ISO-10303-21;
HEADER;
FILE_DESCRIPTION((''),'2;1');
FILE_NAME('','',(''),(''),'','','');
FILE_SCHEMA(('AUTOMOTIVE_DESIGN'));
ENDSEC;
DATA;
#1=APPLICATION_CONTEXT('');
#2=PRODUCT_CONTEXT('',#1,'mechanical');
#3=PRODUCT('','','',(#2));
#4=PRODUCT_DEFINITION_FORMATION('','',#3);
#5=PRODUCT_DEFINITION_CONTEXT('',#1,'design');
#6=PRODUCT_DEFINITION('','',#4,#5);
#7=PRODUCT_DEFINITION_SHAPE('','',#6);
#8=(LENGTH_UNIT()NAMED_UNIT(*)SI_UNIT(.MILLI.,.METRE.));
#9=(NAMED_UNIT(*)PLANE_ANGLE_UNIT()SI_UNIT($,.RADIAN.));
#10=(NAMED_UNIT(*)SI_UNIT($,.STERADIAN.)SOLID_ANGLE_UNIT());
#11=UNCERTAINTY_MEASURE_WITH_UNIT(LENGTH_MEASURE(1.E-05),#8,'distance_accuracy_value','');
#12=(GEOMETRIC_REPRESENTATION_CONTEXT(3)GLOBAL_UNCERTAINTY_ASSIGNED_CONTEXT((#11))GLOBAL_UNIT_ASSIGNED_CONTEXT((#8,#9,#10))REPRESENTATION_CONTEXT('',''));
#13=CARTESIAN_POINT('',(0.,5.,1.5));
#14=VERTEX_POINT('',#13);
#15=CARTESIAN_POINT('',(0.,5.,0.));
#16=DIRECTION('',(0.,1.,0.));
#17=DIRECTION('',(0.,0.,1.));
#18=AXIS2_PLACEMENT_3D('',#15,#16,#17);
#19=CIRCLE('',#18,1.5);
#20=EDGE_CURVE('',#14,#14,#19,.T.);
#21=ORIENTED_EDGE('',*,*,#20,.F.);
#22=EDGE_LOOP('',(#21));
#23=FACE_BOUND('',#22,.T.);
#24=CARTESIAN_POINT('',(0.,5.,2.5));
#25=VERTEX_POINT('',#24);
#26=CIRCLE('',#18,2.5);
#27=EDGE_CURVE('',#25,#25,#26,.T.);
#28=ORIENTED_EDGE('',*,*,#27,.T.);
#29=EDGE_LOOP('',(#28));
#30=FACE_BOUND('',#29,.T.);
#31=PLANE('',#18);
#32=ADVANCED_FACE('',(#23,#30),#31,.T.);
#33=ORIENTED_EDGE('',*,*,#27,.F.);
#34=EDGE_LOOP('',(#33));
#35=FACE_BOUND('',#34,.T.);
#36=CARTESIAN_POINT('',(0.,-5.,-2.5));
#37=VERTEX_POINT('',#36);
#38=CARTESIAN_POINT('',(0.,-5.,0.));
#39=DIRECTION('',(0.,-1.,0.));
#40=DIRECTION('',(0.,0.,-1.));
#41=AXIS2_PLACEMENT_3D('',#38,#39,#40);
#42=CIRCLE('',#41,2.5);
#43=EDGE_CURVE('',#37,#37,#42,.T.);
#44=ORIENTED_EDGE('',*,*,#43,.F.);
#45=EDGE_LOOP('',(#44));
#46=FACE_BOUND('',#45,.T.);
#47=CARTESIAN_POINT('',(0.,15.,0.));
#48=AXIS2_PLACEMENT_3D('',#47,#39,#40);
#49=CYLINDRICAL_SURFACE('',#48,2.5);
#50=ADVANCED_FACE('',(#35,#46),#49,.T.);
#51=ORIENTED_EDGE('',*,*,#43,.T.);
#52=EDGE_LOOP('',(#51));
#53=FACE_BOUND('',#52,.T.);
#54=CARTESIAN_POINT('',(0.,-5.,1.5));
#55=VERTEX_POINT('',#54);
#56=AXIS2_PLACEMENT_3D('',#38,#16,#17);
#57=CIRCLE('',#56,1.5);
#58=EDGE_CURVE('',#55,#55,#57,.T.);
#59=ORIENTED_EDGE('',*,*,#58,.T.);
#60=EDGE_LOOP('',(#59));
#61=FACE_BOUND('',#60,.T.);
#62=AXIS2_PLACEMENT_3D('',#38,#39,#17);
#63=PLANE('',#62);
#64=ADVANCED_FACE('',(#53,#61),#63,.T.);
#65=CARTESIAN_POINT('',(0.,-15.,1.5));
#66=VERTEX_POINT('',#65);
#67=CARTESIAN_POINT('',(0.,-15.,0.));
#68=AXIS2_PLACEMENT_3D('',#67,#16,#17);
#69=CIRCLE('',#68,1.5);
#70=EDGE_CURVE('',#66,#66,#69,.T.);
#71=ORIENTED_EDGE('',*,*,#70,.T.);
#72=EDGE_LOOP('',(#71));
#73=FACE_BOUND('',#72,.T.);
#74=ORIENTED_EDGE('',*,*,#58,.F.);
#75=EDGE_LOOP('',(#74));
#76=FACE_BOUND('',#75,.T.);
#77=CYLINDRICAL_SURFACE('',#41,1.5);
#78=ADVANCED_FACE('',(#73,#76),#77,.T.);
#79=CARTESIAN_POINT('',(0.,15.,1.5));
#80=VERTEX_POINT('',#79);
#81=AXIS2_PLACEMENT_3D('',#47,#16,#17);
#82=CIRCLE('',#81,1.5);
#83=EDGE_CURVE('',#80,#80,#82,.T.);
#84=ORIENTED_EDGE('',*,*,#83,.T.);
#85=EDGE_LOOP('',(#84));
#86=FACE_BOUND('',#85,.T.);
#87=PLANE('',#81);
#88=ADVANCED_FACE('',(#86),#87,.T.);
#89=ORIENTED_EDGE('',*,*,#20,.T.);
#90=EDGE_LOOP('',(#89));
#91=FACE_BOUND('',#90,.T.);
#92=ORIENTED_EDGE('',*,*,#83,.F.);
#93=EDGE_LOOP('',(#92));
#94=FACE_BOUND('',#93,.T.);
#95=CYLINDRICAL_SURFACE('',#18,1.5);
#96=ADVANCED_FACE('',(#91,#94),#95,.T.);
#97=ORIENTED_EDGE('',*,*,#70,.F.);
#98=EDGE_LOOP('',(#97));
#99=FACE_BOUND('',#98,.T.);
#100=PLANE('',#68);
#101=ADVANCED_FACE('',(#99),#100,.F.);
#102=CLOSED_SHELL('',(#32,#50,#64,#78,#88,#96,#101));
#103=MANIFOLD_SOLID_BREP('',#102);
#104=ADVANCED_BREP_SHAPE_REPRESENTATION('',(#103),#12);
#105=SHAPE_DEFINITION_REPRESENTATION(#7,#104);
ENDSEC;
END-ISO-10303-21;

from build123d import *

# Parameters (mm, degrees)
SKETCH1_R           = 2.5
BOSS_EXTRUDE1_DEPTH = 15
SKETCH2_R           = 12.5
SKETCH2_R_2         = 1.5
CUT_EXTRUDE1_DEPTH  = 10


with BuildPart() as part:
    # Sketch1 → Boss-Extrude1 (new body, symmetric)
    with BuildSketch(Plane(origin=(0, 0, 0), x_dir=(1, 0, 0), z_dir=(0, 1, 0))):
        Circle(SKETCH1_R)
    extrude(amount=BOSS_EXTRUDE1_DEPTH, both=True)

    # Sketch2 → Cut-Extrude1 (cut)
    with BuildSketch(Plane(origin=(0, 15, 0), x_dir=(1, 0, 0), z_dir=(0, 1, 0))):
        Circle(SKETCH2_R)
        Circle(SKETCH2_R_2, mode=Mode.SUBTRACT)
    cut_extrude1 = extrude(amount=-CUT_EXTRUDE1_DEPTH, mode=Mode.SUBTRACT)

    # Mirror1: Cut-Extrude1 across plane
    add(cut_extrude1.mirror(Plane.ZX), mode=Mode.SUBTRACT)


solid = part.part
